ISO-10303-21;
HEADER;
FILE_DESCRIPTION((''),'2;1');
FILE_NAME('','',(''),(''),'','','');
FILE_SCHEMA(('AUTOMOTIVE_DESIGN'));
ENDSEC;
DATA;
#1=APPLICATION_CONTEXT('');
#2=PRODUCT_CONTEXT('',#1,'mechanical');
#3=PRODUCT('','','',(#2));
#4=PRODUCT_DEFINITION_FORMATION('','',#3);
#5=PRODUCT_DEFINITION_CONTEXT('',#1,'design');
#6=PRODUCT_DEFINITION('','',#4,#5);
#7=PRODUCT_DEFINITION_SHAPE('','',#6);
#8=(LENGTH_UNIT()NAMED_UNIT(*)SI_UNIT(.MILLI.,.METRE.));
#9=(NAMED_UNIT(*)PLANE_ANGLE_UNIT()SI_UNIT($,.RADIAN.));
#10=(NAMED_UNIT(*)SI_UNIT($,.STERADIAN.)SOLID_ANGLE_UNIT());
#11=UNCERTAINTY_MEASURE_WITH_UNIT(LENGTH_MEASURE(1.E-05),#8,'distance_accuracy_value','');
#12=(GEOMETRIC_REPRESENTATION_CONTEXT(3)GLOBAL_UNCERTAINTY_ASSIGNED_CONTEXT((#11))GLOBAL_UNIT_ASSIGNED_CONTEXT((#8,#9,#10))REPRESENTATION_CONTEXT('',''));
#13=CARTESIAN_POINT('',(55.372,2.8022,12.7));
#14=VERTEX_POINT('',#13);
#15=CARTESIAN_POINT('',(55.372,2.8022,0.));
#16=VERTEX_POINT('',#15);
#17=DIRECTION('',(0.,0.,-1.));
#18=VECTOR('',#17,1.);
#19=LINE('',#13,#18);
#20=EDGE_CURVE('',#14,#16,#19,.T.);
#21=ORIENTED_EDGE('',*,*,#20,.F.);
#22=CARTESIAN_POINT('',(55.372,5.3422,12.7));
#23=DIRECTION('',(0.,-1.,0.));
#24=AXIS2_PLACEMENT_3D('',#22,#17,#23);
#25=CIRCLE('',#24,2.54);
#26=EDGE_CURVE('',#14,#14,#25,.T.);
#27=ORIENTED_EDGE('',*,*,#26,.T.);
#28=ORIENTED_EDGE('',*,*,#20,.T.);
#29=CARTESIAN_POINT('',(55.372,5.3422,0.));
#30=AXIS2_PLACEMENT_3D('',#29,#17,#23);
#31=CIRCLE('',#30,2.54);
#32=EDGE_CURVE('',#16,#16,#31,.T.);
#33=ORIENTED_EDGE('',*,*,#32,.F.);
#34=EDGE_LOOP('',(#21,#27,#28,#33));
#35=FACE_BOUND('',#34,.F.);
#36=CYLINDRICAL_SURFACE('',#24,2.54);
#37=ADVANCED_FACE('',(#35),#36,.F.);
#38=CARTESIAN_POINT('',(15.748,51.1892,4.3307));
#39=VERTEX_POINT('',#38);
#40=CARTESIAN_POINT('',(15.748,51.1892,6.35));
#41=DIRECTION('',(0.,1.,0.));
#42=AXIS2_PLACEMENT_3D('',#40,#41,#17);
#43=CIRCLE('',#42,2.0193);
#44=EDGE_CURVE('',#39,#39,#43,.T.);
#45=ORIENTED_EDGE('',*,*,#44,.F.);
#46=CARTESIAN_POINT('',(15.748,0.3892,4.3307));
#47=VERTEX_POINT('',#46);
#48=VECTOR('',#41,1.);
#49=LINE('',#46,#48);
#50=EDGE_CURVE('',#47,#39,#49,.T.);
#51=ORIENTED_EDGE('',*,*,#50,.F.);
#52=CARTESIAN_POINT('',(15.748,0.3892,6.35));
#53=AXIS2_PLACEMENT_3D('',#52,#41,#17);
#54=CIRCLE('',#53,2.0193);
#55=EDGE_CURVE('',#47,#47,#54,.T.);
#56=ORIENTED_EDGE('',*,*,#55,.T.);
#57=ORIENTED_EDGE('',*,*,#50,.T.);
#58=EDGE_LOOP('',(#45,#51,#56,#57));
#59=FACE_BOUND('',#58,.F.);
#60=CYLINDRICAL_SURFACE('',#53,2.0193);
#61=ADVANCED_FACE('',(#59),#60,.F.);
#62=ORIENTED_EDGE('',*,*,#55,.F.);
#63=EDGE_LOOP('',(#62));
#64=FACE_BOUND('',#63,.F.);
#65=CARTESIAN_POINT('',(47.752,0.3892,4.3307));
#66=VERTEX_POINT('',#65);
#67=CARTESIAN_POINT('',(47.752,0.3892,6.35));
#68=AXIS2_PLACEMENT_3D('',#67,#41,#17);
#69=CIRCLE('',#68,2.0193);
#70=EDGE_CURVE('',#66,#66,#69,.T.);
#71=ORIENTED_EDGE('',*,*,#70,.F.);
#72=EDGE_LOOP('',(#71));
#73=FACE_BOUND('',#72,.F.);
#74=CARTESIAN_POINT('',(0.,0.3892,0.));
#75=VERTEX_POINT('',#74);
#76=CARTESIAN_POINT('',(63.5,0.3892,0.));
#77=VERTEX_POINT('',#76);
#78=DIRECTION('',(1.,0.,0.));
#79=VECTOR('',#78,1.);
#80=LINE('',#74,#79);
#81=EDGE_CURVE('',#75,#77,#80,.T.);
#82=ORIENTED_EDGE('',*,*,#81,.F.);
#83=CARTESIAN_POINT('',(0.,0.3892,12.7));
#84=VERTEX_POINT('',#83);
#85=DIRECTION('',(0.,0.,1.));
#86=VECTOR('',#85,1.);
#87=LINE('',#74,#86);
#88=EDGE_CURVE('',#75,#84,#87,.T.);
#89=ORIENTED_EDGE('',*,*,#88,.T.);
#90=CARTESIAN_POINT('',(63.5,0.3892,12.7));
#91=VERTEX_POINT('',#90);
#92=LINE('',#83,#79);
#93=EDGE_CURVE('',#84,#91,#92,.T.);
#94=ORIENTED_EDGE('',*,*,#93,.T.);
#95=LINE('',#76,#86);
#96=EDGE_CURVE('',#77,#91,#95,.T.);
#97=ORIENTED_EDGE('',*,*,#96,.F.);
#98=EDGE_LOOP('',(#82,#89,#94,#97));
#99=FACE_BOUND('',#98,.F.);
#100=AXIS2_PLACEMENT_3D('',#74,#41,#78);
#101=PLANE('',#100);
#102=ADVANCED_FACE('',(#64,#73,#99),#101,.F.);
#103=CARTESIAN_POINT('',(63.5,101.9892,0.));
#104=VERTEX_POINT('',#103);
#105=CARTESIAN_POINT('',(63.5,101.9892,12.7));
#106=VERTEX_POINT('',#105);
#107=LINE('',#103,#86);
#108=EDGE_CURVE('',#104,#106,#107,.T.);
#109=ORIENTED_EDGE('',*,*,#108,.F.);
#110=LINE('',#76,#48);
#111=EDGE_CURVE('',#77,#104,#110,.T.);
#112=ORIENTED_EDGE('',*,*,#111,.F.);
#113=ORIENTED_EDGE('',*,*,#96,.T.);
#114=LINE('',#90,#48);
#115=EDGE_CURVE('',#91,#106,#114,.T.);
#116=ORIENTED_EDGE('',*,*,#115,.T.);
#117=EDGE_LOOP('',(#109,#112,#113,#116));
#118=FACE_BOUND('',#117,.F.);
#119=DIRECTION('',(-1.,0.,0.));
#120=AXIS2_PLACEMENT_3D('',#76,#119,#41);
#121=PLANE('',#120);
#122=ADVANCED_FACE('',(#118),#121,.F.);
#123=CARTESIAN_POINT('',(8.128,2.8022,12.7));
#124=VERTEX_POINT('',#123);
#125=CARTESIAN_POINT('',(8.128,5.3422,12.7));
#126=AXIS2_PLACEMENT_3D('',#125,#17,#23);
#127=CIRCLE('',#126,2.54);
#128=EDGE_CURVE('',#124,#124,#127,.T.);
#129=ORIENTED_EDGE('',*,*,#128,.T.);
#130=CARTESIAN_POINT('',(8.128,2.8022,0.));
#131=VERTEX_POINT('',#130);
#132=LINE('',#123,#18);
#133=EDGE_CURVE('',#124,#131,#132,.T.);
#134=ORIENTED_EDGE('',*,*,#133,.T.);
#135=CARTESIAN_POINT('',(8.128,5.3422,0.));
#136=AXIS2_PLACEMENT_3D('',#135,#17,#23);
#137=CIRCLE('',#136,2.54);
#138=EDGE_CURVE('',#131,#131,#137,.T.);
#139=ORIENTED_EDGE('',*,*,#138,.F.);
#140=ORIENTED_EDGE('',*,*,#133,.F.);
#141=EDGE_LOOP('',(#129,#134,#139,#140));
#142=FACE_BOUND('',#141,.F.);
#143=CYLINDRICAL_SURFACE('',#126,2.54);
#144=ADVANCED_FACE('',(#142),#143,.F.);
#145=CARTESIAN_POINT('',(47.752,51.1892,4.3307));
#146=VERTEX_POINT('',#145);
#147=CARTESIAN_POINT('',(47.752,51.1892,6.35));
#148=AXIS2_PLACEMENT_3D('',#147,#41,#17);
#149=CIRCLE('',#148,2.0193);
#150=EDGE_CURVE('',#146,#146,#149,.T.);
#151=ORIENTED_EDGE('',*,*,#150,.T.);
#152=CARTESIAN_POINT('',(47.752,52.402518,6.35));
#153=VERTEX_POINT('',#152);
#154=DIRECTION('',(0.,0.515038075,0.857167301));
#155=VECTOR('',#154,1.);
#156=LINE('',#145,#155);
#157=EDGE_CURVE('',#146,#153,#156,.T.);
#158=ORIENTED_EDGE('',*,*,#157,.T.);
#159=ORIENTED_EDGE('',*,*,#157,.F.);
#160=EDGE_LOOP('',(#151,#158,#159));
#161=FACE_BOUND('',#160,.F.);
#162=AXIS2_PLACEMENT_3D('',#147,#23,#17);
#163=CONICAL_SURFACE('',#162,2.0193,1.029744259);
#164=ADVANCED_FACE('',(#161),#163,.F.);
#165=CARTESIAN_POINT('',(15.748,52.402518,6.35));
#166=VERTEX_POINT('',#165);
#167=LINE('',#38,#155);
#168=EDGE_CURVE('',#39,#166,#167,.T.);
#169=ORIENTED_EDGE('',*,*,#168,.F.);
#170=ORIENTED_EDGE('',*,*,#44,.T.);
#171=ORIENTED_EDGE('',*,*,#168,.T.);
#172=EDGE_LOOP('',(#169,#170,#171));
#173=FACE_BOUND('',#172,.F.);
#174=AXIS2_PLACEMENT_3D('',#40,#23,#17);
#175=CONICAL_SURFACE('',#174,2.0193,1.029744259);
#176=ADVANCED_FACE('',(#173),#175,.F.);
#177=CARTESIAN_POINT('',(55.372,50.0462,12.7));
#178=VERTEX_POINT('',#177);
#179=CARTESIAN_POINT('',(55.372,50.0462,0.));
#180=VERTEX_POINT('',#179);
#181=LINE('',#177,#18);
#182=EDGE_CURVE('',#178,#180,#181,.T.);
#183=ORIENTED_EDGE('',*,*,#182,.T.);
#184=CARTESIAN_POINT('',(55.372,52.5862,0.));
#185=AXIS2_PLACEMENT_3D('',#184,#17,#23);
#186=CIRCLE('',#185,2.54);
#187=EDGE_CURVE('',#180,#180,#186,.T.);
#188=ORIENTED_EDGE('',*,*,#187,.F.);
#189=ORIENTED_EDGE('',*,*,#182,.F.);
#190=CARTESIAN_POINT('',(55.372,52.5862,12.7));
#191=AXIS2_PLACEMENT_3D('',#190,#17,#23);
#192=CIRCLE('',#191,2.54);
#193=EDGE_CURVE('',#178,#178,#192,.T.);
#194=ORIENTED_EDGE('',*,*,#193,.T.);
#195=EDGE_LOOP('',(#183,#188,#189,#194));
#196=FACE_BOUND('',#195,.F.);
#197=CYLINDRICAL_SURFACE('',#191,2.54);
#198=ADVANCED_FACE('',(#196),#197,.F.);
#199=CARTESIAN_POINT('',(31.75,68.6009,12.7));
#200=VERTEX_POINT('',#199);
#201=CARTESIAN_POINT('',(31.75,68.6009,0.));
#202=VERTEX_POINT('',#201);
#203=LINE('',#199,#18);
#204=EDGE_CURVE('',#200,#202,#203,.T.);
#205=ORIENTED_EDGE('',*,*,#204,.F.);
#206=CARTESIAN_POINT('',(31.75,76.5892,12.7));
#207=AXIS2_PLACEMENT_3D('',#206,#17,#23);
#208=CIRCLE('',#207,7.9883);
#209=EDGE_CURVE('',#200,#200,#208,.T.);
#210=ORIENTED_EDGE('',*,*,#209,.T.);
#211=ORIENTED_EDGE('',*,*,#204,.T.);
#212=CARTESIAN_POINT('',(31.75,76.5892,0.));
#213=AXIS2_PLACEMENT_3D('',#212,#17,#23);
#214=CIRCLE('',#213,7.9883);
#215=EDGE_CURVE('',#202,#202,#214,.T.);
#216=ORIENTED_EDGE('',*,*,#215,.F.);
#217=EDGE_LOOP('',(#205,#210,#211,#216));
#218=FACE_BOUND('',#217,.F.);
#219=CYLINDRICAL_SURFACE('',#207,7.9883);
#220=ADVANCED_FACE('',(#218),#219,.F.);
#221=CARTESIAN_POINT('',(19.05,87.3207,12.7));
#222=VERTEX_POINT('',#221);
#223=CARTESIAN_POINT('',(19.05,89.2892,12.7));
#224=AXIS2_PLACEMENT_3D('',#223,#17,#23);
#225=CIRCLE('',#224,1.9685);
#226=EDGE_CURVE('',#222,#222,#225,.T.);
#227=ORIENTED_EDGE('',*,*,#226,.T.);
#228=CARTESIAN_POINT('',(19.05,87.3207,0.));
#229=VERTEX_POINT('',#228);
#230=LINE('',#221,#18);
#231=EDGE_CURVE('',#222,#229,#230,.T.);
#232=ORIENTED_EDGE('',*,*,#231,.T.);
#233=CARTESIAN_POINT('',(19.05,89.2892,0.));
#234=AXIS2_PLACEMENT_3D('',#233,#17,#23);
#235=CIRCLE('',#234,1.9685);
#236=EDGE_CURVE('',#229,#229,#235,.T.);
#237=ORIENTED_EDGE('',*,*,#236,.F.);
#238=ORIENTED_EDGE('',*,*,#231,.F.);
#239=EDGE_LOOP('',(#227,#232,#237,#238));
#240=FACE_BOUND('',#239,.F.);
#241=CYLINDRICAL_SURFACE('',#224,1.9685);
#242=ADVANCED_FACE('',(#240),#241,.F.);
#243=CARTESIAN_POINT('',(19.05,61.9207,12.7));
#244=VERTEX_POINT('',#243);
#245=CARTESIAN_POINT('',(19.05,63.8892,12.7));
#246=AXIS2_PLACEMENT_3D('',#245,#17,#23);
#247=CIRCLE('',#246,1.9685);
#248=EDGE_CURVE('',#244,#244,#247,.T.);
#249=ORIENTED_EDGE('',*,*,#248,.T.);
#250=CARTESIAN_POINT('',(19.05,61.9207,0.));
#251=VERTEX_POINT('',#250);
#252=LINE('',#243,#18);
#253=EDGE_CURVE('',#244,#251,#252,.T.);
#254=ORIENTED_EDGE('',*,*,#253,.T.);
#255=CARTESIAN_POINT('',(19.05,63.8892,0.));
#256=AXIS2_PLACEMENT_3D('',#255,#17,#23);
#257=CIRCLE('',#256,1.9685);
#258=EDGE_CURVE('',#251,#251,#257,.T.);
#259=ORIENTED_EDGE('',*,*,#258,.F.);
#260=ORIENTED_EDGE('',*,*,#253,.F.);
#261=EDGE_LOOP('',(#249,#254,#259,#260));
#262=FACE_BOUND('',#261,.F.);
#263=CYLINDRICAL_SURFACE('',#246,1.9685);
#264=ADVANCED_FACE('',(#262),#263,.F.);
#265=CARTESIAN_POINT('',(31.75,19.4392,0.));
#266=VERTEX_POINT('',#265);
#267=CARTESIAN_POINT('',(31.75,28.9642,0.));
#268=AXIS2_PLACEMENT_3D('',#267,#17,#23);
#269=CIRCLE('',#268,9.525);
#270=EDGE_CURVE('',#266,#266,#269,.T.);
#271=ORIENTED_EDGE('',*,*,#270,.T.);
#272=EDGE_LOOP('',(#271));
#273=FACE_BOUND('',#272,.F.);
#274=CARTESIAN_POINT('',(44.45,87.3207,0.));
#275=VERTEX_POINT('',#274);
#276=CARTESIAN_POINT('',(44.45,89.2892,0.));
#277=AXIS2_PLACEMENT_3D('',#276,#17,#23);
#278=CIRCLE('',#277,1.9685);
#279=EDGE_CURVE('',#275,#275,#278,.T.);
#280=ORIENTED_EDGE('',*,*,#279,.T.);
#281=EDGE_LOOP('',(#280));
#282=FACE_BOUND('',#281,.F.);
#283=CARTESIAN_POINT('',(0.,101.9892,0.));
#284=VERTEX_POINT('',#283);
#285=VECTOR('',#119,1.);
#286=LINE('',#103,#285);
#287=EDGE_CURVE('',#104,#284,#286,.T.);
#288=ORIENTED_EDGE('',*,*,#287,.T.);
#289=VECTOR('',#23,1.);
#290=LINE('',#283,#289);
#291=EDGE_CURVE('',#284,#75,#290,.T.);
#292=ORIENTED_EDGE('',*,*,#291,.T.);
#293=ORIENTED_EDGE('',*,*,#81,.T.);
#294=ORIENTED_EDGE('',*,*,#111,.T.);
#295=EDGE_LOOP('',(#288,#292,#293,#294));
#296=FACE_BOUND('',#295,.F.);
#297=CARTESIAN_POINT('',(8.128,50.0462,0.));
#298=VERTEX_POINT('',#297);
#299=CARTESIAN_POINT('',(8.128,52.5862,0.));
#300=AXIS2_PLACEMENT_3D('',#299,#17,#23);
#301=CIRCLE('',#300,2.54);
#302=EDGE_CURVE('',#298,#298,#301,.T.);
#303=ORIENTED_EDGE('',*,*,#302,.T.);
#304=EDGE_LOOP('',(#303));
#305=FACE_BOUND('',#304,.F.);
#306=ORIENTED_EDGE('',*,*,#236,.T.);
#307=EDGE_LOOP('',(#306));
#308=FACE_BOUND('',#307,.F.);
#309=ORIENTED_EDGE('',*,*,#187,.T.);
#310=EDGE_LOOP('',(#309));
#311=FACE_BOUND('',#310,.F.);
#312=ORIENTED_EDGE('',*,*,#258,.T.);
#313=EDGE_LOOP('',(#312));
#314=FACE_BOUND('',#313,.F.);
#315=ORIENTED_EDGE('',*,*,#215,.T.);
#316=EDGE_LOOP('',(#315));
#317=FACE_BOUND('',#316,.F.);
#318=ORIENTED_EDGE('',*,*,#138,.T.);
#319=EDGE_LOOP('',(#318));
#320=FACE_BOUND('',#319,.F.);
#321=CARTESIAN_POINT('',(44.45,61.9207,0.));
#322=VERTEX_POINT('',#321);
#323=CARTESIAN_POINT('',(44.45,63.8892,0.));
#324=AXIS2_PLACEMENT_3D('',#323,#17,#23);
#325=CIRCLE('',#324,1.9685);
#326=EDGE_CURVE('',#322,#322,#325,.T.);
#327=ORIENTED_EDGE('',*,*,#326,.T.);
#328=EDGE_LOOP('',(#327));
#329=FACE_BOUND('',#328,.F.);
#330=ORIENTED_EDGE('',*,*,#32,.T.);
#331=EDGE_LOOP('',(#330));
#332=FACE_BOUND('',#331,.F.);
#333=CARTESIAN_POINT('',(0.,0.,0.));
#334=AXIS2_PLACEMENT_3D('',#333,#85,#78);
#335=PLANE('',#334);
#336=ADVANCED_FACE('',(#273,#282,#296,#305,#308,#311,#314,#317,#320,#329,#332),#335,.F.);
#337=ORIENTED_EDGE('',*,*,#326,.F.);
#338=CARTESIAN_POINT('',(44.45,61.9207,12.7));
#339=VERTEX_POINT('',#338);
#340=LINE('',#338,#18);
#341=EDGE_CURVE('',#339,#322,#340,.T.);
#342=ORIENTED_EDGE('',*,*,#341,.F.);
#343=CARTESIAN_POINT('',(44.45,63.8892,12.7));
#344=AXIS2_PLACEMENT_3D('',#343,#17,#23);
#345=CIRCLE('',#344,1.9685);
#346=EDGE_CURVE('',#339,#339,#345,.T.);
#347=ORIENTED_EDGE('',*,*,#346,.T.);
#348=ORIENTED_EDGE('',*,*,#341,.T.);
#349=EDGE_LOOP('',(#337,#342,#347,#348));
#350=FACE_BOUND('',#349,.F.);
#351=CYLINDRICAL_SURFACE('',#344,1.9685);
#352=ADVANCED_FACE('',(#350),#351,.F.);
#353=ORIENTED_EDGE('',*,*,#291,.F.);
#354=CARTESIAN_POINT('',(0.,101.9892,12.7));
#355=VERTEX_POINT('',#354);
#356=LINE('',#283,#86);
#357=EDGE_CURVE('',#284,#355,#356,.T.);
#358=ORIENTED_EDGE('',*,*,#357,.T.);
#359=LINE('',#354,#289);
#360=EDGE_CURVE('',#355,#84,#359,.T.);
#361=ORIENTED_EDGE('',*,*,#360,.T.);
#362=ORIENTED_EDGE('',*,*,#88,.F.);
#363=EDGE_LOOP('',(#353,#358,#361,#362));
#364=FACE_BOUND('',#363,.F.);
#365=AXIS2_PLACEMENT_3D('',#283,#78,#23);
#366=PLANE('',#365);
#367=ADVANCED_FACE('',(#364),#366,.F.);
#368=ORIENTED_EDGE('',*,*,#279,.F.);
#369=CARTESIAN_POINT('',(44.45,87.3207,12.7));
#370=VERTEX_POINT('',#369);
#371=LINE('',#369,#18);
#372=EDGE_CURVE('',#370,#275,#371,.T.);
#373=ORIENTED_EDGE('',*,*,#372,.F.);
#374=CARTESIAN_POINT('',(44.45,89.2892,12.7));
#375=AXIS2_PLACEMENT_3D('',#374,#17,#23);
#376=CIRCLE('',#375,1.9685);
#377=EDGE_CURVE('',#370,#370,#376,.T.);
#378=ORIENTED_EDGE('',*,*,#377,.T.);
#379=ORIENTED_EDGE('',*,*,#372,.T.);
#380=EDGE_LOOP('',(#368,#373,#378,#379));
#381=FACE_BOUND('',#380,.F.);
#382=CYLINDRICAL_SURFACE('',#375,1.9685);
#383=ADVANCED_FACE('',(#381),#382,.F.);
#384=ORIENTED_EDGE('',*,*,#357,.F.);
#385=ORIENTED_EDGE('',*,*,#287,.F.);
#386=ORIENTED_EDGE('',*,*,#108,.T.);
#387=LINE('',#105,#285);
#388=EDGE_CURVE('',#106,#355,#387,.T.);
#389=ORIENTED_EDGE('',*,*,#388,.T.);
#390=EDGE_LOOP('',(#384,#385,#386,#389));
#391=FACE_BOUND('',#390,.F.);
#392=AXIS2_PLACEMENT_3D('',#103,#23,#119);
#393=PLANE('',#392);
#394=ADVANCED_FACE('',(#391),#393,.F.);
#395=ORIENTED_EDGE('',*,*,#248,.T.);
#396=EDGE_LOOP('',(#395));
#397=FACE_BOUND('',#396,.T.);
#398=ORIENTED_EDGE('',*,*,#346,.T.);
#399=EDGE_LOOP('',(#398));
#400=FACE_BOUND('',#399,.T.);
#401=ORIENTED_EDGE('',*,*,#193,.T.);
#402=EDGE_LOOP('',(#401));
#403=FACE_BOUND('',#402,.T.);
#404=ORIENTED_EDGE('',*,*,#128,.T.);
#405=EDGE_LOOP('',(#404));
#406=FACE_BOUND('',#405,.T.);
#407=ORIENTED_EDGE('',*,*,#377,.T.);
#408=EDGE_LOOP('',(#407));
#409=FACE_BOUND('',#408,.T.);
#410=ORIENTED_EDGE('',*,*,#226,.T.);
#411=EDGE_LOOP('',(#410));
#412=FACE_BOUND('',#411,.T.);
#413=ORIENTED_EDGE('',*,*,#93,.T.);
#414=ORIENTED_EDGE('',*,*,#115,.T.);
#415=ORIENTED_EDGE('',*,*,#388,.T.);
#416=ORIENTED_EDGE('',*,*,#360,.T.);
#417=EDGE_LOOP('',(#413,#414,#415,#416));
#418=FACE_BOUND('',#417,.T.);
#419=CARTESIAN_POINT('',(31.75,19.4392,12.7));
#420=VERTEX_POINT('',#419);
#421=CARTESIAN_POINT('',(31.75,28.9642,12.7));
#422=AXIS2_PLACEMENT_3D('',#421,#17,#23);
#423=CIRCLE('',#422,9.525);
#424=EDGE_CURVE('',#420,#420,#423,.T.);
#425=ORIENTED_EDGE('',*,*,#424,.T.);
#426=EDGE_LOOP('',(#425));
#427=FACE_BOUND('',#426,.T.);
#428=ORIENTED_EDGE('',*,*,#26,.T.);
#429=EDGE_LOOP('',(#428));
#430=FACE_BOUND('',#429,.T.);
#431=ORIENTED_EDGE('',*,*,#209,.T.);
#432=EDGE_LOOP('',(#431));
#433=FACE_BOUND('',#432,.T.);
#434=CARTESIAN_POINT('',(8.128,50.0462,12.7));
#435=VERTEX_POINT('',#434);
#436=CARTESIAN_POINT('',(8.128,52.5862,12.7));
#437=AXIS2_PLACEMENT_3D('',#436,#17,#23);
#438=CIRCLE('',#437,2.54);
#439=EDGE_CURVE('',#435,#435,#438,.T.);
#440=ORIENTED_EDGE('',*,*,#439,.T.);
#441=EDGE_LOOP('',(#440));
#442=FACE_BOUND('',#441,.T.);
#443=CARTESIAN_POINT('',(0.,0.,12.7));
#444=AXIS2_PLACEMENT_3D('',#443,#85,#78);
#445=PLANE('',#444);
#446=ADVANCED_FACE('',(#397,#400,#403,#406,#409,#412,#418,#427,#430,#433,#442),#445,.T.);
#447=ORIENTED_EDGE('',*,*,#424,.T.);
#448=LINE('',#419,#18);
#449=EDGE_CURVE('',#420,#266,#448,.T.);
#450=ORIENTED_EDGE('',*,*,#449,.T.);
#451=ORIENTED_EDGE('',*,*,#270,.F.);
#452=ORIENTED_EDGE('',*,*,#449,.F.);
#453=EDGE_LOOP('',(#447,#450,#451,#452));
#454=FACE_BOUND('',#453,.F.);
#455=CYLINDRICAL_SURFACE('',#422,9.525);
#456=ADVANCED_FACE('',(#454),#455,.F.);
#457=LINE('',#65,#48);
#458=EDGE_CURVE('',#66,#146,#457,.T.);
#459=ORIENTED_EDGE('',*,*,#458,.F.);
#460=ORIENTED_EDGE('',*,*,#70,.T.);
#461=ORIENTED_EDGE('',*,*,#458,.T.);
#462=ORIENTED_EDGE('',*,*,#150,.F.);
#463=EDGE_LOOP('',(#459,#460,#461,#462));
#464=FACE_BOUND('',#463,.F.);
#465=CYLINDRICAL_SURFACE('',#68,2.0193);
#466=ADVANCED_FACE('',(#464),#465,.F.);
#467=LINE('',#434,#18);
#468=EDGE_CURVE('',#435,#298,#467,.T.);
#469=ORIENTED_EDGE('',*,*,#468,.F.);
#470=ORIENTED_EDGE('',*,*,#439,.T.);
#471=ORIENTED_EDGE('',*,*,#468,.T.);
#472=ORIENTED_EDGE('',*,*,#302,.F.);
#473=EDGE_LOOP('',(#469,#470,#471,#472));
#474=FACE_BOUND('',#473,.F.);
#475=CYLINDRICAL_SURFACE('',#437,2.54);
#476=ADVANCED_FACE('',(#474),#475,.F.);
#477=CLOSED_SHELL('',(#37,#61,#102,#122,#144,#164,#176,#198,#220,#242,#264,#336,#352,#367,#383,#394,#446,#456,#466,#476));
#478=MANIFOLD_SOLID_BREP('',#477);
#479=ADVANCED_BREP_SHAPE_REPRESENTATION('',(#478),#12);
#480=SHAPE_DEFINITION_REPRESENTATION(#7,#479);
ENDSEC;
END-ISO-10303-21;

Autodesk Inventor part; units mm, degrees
ref_plane "YZ Plane" through (0, 0, 0) normal (1, 0, 0) x (0, 1, 0)
ref_plane "XZ Plane" through (0, 0, 0) normal (0, 1, 0) x (-1, 0, 0)
ref_plane "XY Plane" through (0, 0, 0) normal (0, 0, 1) x (1, 0, 0)
sketch "Sketch1" plane through (0, 0, 0) normal (0, 0, 1) x (1, 0, 0)
  line L0 (0, 0.3892) -> (63.5, 0.3892)
  line L1 (63.5, 0.3892) -> (63.5, 101.9892)
  line L2 (63.5, 101.9892) -> (0, 101.9892)
  line L3 (0, 101.9892) -> (0, 0.3892)
  point P0 (0, 0)
  dimension "d0" = 63.5
  dimension "d1" = 101.6
extrude "Extrusion1" add sketch "Sketch1" along normal blind 12.7
hole "Hole15" at (8.128, 5.3422, 12.7) direction (0, 0, -1) diameter 5.08 end through all
hole "Hole16" at (55.372, 5.3422, 12.7) direction (0, 0, -1) diameter 5.08 end through all
hole "Hole17" at (8.128, 52.5862, 12.7) direction (0, 0, -1) diameter 5.08 end through all
hole "Hole18" at (55.372, 52.5862, 12.7) direction (0, 0, -1) diameter 5.08 end through all
hole "Hole19" at (31.75, 76.5892, 12.7) direction (0, 0, -1) diameter 15.9766 end through all
hole "Hole20" at (31.75, 28.9642, 12.7) direction (0, 0, -1) diameter 19.05 end through all
hole "Hole23" at (15.748, 0.3892, 6.35) direction (0, 1, 0) diameter 4.0386 depth 50.8 tip angle 118
hole "Hole24" at (47.752, 0.3892, 6.35) direction (0, 1, 0) diameter 4.0386 depth 50.8 tip angle 118
sketch "Font" plane through (0, 0, 12.7) normal (0, 0, 1) x (1, 0, 0)
  circle A0 centre (31.75, 28.9642) radius 9.525 projected
  circle A1 centre (31.75, 76.5892) radius 7.9883 projected
  circle A2 centre (55.372, 52.5862) radius 2.54 projected
  circle A3 centre (8.128, 52.5862) radius 2.54 projected
  circle A4 centre (55.372, 5.3422) radius 2.54 projected
  circle A5 centre (8.128, 5.3422) radius 2.54 projected
  line L0 (0, 0.3892) -> (0, 101.9892) projected
  line L1 (63.5, 0.3892) -> (0, 0.3892) projected
  line L2 (63.5, 101.9892) -> (63.5, 0.3892) projected
  line L3 (0, 101.9892) -> (63.5, 101.9892) projected
  point P0 (0, 0)
  dimension "d220" = 101.6
  dimension "d221" = 5.08
  dimension "d222" = 15.9766
  dimension "d223" = 19.05
  dimension "d224" = 8.128
  dimension "d225" = 4.953
  dimension "d226" = 28.575
  dimension "d227" = 76.2
  dimension "d228" = 8.128
  dimension "d229" = 4.953
  dimension "d230" = 52.197
  dimension "d231" = 52.197
  dimension "d237" = 31.75
  dimension "d238" = 31.75
sketch "Side" plane through (0, 0.3892, 0) normal (0, -1, 0) x (1, 0, 0)
  circle A0 centre (47.752, 6.35) radius 2.0193 projected
  circle A1 centre (15.748, 6.35) radius 2.0193 projected
  line L0 (63.5, 12.7) -> (0, 12.7) projected
  line L1 (0, 0) -> (0, 12.7) projected
  line L2 (0, 0) -> (63.5, 0) projected
  line L3 (63.5, 0) -> (63.5, 12.7) projected
  dimension "d232" = 15.748
  dimension "d233" = 12.7
  dimension "d234" = 15.748
  dimension "d235" = 6.35
  dimension "d236" = 6.35
hole "Hole25" at (19.05, 89.2892, 12.7) direction (0, 0, -1) diameter 3.937 end through all
hole "Hole26" at (19.05, 63.8892, 12.7) direction (0, 0, -1) diameter 3.937 end through all
hole "Hole27" at (44.45, 89.2892, 12.7) direction (0, 0, -1) diameter 3.937 end through all
hole "Hole28" at (44.45, 63.8892, 12.7) direction (0, 0, -1) diameter 3.937 end through all
sketch "Sketch5" plane through (0, 0, 12.7) normal (0, 0, 1) x (1, 0, 0)
  circle A0 centre (44.45, 63.8892) radius 1.9685 projected
  circle A1 centre (44.45, 89.2892) radius 1.9685 projected
  circle A2 centre (19.05, 63.8892) radius 1.9685 projected
  circle A3 centre (19.05, 89.2892) radius 1.9685 projected
  circle A4 centre (31.75, 28.9642) radius 9.525 projected
  circle A5 centre (31.75, 76.5892) radius 7.9883 projected
  circle A6 centre (55.372, 52.5862) radius 2.54 projected
  circle A7 centre (8.128, 52.5862) radius 2.54 projected
  circle A8 centre (55.372, 5.3422) radius 2.54 projected
  circle A9 centre (8.128, 5.3422) radius 2.54 projected
  line L0 (0, 0.3892) -> (0, 101.9892) projected
  line L1 (63.5, 0.3892) -> (0, 0.3892) projected
  line L2 (63.5, 101.9892) -> (63.5, 0.3892) projected
  line L3 (0, 101.9892) -> (63.5, 101.9892) projected
  point P0 (0, 0)
  dimension "d275" = 63.5
  dimension "d276" = 19.05
  dimension "d277" = 44.45
  dimension "d278" = 88.9
properties part number "ytowerv1"
